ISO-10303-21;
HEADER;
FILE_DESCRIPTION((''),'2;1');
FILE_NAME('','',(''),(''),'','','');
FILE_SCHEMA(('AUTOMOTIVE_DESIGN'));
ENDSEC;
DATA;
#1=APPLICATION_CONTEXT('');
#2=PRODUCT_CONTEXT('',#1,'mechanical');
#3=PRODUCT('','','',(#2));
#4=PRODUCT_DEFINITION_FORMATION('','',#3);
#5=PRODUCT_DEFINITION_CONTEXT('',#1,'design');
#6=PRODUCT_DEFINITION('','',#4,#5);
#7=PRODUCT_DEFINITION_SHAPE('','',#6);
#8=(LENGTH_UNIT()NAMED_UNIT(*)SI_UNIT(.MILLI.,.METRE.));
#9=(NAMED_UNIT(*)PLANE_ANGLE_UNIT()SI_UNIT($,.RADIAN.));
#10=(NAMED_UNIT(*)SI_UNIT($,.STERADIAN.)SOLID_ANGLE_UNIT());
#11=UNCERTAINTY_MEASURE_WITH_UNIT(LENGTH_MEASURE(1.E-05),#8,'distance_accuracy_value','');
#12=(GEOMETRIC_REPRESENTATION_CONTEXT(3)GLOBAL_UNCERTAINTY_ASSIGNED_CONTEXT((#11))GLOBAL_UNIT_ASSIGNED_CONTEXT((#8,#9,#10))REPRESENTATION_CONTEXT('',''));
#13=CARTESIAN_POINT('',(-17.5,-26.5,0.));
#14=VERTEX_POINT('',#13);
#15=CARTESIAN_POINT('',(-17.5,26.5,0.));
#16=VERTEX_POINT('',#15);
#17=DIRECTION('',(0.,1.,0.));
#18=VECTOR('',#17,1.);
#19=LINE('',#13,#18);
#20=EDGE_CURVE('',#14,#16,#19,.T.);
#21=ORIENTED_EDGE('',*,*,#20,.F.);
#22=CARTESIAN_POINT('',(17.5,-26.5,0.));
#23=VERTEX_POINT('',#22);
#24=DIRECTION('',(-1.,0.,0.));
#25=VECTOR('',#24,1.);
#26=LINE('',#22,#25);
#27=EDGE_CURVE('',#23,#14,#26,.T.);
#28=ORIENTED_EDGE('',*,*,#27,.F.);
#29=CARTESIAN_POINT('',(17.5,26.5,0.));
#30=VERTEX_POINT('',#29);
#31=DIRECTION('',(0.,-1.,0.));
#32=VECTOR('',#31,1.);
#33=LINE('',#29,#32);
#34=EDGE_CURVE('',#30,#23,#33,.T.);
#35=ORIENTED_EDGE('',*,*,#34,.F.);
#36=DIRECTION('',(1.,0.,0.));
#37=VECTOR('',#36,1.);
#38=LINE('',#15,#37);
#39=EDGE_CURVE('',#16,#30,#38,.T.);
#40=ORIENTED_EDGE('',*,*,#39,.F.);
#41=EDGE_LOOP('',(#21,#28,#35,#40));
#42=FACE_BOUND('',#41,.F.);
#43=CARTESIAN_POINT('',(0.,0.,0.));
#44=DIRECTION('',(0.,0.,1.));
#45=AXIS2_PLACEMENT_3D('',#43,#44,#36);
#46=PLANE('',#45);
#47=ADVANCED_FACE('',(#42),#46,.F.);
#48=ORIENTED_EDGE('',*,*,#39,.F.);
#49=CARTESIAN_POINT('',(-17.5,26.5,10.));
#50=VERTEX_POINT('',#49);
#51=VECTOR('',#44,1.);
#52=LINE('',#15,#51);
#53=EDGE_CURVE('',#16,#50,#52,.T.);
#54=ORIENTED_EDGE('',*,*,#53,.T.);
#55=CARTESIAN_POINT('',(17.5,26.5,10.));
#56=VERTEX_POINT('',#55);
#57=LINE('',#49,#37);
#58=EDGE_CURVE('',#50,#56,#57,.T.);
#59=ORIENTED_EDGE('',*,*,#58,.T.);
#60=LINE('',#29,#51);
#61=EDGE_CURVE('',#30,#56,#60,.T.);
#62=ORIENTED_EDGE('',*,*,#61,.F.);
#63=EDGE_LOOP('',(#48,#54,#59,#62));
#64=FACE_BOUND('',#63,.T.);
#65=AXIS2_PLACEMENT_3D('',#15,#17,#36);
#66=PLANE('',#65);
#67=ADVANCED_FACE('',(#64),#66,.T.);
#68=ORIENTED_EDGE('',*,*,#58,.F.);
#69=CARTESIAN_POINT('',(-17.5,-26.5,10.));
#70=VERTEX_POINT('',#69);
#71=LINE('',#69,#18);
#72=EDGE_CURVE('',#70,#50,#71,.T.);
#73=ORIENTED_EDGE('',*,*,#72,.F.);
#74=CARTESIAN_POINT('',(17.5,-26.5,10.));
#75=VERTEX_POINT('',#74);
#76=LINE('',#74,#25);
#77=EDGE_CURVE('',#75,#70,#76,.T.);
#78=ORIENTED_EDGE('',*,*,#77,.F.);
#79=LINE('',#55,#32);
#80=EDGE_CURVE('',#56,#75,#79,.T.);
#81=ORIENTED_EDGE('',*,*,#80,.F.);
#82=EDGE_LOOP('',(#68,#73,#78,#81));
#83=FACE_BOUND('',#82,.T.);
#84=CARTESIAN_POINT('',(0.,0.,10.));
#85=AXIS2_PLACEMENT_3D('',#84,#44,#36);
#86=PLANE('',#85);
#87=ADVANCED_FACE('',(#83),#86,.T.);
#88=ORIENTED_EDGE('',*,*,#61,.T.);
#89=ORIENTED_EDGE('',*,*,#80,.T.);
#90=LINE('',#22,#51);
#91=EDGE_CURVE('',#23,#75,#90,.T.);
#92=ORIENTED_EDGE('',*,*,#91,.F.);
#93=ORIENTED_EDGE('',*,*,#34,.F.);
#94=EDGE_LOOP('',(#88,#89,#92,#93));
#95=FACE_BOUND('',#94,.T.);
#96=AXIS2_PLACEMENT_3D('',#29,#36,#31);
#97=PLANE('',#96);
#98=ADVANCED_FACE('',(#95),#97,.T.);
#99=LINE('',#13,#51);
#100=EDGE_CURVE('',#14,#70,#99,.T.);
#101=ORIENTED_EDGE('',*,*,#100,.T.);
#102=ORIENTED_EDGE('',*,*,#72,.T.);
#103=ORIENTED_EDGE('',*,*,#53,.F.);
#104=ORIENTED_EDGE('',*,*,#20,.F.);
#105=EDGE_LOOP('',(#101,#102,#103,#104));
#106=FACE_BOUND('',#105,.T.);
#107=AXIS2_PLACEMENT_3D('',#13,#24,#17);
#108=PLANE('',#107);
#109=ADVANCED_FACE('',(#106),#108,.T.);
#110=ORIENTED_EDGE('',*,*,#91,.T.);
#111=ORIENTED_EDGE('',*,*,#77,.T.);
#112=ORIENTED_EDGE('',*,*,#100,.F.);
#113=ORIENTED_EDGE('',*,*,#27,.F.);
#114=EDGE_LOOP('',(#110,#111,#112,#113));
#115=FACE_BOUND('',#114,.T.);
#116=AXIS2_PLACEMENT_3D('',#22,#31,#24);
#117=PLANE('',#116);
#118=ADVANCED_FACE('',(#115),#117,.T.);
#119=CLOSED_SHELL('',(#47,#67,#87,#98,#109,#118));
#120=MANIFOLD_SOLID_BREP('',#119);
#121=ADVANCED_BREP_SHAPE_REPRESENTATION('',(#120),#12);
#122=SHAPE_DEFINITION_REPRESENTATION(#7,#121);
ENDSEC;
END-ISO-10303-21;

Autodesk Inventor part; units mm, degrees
ref_plane "YZ Plane" through (0, 0, 0) normal (1, 0, 0) x (0, 1, 0)
ref_plane "XZ Plane" through (0, 0, 0) normal (0, 1, 0) x (-1, 0, 0)
ref_plane "XY Plane" through (0, 0, 0) normal (0, 0, 1) x (1, 0, 0)
sketch "スケッチ1" plane through (0, 0, 0) normal (0, 0, 1) x (1, 0, 0)
  line L0 (-17.5, 26.5) -> (17.5, 26.5)
  line L1 (17.5, 26.5) -> (17.5, -26.5)
  line L2 (17.5, -26.5) -> (-17.5, -26.5)
  line L3 (-17.5, -26.5) -> (-17.5, 26.5)
  point P0 (0, 0)
  point P1 (-17.5, 0)
  point P2 (0, 26.5)
  dimension "d0" = 35
  dimension "d1" = 53
extrude "押し出し1" add sketch "スケッチ1" along normal blind 10
sketch "スケッチ2" plane through (0, 0, 10) normal (0, 0, 1) x (1, 0, 0)
  line L0 (-12.853, 5.2467) -> (23.2611, 5.2467) construction
  line L1 (23.2611, 5.2467) -> (23.2611, 1.9936) construction
  line L2 (23.2611, 1.9936) -> (-12.853, 1.9936) construction
  line L3 (-12.853, 1.9936) -> (-12.853, 5.2467) construction
  point P0 (0, 0)
properties part number "LiPo-1800mAh"
